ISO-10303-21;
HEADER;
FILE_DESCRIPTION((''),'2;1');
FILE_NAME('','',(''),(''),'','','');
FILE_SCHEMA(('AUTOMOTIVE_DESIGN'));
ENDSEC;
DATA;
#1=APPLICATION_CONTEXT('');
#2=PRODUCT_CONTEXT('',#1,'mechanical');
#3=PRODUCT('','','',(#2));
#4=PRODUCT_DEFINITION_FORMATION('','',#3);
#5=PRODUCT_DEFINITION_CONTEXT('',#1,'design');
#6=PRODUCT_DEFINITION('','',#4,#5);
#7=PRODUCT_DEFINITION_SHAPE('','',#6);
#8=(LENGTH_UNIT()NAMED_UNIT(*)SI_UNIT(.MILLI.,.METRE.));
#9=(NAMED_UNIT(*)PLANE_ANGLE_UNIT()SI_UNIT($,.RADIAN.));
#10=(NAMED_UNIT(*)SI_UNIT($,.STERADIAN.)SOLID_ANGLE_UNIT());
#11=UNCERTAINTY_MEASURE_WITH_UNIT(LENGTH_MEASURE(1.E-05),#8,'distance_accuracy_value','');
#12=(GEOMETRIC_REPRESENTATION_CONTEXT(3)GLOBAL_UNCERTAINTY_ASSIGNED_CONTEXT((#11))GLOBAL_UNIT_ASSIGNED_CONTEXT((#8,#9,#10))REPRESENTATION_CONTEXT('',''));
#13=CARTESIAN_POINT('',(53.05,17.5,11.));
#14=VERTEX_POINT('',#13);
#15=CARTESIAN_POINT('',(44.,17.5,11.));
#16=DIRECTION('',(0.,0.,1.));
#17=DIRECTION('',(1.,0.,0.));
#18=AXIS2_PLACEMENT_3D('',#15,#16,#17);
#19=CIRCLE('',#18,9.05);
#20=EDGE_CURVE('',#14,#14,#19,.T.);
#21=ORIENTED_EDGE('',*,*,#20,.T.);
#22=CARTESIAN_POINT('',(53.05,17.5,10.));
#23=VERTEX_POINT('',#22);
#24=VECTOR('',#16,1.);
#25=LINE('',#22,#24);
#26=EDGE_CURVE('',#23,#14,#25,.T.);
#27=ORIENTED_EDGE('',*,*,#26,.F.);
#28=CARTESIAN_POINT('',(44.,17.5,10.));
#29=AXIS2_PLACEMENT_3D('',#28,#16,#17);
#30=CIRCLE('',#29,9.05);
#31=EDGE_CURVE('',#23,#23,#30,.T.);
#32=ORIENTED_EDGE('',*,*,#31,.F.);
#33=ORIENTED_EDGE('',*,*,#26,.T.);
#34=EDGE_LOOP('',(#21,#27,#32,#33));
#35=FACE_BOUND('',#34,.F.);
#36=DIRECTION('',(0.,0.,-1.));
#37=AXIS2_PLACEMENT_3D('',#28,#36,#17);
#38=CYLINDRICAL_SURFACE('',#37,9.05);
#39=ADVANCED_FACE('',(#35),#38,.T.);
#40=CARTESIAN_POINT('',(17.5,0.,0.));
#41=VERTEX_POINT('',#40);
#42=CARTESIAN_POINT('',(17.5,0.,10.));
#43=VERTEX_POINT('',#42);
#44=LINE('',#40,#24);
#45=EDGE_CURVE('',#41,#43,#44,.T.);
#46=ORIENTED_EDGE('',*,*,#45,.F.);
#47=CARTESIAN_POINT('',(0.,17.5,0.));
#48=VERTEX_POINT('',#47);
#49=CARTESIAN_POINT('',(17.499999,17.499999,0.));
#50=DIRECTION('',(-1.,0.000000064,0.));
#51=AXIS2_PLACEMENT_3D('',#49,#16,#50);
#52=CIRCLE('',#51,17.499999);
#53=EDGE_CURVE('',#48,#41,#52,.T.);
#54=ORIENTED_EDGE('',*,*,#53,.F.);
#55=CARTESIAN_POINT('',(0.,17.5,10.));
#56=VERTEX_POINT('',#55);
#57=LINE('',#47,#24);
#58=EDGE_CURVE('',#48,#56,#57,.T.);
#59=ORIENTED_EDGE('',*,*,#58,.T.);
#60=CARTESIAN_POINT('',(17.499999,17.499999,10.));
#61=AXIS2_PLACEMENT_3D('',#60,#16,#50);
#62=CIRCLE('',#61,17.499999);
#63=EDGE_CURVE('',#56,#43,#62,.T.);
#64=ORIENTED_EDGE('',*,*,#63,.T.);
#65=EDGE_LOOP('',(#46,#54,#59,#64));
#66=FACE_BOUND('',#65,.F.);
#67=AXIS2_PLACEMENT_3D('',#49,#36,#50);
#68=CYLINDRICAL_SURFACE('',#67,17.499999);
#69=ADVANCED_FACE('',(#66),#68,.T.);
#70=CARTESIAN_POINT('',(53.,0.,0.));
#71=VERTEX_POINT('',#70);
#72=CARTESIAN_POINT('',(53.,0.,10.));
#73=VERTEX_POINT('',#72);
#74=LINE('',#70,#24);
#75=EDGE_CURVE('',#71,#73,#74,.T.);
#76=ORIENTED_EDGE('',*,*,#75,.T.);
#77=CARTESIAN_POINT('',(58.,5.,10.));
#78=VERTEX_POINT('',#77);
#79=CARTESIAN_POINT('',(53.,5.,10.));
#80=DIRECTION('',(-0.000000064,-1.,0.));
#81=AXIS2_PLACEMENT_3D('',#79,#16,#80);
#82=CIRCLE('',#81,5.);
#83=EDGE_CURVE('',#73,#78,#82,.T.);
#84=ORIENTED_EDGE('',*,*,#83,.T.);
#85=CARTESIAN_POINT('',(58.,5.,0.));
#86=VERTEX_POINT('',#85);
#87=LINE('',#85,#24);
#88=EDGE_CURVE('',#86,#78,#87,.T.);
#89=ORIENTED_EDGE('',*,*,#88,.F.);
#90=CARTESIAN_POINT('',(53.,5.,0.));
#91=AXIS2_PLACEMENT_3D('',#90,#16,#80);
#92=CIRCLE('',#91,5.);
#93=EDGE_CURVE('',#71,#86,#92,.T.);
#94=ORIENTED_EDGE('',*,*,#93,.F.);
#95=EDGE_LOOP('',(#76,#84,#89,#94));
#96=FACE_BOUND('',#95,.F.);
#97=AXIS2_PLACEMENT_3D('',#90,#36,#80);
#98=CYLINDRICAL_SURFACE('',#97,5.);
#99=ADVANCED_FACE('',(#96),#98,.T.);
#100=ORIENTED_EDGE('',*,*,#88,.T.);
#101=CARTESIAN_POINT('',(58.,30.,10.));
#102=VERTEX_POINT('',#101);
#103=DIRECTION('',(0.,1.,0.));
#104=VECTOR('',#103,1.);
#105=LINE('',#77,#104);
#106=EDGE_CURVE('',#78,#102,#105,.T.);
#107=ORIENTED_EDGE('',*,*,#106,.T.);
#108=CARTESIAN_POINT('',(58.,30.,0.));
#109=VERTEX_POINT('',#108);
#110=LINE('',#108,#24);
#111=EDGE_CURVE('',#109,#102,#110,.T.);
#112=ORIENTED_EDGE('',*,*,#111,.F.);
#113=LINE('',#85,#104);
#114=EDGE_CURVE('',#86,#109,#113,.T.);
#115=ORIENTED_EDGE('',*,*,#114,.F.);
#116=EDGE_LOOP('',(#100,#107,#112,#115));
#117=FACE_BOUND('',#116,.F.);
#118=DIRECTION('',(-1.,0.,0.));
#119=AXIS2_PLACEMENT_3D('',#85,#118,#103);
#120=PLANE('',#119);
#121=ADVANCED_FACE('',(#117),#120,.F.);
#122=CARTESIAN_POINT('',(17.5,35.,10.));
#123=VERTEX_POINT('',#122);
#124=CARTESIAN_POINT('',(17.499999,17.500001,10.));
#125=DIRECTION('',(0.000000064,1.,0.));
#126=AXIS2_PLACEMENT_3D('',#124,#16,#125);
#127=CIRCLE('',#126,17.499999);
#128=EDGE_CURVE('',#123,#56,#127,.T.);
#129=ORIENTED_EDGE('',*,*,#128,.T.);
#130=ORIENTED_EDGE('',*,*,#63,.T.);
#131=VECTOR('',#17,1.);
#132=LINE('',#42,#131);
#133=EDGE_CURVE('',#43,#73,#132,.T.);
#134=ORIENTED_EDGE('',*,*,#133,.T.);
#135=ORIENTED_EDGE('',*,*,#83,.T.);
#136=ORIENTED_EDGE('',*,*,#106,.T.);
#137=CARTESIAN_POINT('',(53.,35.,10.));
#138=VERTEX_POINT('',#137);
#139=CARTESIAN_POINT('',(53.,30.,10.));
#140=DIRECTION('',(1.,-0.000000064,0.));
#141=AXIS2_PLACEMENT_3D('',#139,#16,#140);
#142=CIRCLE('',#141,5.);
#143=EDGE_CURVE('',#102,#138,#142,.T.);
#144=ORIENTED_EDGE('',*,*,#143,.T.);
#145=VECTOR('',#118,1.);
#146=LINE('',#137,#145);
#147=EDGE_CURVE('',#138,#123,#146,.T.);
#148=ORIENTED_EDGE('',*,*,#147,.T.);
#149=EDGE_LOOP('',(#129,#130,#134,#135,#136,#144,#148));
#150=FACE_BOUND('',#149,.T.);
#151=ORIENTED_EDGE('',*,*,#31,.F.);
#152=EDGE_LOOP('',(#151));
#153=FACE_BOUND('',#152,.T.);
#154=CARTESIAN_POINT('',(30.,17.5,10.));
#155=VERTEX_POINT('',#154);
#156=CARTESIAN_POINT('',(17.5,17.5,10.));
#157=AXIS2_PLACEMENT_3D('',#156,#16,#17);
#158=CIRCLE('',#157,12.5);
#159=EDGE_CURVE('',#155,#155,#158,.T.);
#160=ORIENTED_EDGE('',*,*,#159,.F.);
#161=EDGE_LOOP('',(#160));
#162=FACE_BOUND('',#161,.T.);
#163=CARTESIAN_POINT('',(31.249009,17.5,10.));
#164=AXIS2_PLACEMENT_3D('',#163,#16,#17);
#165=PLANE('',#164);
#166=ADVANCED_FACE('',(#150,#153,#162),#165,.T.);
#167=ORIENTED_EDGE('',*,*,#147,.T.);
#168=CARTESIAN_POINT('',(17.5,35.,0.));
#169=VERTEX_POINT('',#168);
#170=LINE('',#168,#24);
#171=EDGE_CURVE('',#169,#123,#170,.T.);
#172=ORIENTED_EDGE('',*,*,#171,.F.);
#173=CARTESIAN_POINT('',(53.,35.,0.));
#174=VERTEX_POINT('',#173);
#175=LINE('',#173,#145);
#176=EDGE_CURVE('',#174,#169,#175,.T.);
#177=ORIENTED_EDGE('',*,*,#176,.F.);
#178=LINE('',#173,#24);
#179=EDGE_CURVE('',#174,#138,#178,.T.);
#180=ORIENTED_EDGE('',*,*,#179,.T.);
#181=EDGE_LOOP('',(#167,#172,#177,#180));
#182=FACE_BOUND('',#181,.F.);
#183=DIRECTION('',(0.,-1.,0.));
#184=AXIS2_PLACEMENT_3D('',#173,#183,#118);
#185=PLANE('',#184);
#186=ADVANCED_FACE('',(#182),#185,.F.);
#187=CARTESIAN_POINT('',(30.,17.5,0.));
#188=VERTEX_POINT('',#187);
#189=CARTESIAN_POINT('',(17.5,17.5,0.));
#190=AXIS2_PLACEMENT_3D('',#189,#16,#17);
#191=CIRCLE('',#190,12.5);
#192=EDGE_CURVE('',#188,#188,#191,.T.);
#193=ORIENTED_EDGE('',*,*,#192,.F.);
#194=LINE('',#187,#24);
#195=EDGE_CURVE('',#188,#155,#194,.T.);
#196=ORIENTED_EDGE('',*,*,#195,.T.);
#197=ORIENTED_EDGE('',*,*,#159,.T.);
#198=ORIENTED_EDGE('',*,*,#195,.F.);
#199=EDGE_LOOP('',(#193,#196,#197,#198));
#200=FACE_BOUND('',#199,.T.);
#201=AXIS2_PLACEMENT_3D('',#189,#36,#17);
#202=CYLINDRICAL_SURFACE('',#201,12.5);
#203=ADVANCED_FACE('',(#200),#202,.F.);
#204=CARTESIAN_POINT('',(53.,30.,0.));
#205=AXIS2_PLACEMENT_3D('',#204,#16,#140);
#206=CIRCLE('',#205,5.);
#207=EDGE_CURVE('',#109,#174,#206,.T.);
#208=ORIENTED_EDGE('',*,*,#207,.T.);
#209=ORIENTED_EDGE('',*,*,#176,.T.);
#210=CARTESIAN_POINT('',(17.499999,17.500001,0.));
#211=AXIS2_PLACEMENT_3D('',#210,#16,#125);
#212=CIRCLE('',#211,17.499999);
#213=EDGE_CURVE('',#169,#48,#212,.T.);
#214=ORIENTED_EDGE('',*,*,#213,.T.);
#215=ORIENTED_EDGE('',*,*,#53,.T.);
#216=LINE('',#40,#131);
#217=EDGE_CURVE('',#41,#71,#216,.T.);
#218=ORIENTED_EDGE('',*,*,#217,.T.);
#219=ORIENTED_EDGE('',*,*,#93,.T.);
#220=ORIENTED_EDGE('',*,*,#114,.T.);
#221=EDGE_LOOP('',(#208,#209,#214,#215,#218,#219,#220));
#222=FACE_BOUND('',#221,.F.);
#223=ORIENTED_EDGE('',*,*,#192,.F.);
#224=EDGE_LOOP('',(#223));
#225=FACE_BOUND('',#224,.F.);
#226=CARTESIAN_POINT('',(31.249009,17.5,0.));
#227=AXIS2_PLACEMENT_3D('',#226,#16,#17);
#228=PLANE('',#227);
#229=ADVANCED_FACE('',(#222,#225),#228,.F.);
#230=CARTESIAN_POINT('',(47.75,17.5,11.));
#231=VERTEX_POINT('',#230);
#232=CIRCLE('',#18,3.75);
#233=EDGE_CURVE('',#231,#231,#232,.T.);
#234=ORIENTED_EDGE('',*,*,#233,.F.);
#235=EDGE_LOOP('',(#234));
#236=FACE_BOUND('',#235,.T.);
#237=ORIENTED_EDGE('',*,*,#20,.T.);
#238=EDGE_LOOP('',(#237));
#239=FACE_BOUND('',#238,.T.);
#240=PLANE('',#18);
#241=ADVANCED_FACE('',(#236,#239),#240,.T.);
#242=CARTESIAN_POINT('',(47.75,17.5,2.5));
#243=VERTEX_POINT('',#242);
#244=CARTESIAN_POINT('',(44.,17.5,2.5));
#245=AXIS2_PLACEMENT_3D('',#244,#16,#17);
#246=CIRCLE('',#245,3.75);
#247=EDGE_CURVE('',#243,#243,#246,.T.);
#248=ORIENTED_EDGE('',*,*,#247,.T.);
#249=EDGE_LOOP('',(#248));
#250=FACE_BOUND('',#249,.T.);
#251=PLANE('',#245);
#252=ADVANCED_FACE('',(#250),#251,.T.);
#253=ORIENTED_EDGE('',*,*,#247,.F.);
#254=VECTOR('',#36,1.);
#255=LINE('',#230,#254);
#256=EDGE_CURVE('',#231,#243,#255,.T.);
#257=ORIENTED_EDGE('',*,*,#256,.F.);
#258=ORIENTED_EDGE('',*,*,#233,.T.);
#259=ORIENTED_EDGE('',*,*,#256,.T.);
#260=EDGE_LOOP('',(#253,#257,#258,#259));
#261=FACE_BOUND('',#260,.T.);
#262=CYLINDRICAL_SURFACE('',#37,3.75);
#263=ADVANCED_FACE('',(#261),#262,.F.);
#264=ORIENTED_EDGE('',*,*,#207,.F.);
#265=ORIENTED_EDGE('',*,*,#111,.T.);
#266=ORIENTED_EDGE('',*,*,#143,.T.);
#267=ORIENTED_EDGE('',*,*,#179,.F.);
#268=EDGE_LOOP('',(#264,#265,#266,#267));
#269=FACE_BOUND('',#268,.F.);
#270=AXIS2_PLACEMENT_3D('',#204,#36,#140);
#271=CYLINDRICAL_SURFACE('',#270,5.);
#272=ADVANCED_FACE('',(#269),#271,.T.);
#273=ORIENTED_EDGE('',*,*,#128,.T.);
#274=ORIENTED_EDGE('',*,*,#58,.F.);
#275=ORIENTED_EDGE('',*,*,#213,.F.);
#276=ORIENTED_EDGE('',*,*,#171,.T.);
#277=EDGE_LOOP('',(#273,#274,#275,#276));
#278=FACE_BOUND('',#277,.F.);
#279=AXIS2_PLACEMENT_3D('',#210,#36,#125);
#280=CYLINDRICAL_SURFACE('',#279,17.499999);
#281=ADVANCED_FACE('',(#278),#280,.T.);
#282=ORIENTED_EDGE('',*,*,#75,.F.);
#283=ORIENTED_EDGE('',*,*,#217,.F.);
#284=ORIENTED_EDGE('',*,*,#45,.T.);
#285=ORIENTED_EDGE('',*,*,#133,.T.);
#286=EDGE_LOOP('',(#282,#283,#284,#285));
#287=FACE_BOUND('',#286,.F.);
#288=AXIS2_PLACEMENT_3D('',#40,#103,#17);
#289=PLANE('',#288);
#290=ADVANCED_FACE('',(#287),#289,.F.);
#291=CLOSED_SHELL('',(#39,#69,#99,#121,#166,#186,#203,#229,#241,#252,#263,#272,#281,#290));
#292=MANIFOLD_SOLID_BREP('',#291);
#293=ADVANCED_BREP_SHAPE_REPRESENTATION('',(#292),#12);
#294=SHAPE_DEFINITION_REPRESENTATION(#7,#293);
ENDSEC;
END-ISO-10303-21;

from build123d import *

# Parameters (mm, degrees)
F0_R     = 12.5
F1_DEPTH = 10
F2_R     = 9.05
F2_R_2   = 3.75
F3_DEPTH = 1
F4_DEPTH = 7.5


with BuildPart() as f1:
    # F0 (on Top) → F1 (new body)
    with BuildSketch(Plane.XY):
        with BuildLine():
            ThreePointArc((0, 17.5), (5.125631, 5.125631), (17.5, 0))
            Line((17.5, 0), (53, 0))
            ThreePointArc((53, 0), (56.535534, 1.464466), (58, 5))
            Line((58, 5), (58, 30))
            ThreePointArc((58, 30), (56.535534, 33.535534), (53, 35))
            Line((53, 35), (17.5, 35))
            ThreePointArc((17.5, 35), (5.125631, 29.874369), (0, 17.5))
        make_face()
        with Locations((17.5, 17.5)):
            Circle(F0_R, mode=Mode.SUBTRACT)
    extrude(amount=F1_DEPTH)

    # F2 (on face) → F3 (join)
    with BuildSketch(Plane.XY.offset(10)):
        with Locations((44, 17.5)):
            Circle(F2_R)
        with Locations((44, 17.5)):
            Circle(F2_R_2, mode=Mode.SUBTRACT)
    extrude(amount=F3_DEPTH)

    # F2 (on face) → F4 (cut)
    with BuildSketch(Plane.XY.offset(10)):
        with Locations((44, 17.5)):
            Circle(F2_R_2)
    extrude(amount=-F4_DEPTH, mode=Mode.SUBTRACT)


solid = f1.part
